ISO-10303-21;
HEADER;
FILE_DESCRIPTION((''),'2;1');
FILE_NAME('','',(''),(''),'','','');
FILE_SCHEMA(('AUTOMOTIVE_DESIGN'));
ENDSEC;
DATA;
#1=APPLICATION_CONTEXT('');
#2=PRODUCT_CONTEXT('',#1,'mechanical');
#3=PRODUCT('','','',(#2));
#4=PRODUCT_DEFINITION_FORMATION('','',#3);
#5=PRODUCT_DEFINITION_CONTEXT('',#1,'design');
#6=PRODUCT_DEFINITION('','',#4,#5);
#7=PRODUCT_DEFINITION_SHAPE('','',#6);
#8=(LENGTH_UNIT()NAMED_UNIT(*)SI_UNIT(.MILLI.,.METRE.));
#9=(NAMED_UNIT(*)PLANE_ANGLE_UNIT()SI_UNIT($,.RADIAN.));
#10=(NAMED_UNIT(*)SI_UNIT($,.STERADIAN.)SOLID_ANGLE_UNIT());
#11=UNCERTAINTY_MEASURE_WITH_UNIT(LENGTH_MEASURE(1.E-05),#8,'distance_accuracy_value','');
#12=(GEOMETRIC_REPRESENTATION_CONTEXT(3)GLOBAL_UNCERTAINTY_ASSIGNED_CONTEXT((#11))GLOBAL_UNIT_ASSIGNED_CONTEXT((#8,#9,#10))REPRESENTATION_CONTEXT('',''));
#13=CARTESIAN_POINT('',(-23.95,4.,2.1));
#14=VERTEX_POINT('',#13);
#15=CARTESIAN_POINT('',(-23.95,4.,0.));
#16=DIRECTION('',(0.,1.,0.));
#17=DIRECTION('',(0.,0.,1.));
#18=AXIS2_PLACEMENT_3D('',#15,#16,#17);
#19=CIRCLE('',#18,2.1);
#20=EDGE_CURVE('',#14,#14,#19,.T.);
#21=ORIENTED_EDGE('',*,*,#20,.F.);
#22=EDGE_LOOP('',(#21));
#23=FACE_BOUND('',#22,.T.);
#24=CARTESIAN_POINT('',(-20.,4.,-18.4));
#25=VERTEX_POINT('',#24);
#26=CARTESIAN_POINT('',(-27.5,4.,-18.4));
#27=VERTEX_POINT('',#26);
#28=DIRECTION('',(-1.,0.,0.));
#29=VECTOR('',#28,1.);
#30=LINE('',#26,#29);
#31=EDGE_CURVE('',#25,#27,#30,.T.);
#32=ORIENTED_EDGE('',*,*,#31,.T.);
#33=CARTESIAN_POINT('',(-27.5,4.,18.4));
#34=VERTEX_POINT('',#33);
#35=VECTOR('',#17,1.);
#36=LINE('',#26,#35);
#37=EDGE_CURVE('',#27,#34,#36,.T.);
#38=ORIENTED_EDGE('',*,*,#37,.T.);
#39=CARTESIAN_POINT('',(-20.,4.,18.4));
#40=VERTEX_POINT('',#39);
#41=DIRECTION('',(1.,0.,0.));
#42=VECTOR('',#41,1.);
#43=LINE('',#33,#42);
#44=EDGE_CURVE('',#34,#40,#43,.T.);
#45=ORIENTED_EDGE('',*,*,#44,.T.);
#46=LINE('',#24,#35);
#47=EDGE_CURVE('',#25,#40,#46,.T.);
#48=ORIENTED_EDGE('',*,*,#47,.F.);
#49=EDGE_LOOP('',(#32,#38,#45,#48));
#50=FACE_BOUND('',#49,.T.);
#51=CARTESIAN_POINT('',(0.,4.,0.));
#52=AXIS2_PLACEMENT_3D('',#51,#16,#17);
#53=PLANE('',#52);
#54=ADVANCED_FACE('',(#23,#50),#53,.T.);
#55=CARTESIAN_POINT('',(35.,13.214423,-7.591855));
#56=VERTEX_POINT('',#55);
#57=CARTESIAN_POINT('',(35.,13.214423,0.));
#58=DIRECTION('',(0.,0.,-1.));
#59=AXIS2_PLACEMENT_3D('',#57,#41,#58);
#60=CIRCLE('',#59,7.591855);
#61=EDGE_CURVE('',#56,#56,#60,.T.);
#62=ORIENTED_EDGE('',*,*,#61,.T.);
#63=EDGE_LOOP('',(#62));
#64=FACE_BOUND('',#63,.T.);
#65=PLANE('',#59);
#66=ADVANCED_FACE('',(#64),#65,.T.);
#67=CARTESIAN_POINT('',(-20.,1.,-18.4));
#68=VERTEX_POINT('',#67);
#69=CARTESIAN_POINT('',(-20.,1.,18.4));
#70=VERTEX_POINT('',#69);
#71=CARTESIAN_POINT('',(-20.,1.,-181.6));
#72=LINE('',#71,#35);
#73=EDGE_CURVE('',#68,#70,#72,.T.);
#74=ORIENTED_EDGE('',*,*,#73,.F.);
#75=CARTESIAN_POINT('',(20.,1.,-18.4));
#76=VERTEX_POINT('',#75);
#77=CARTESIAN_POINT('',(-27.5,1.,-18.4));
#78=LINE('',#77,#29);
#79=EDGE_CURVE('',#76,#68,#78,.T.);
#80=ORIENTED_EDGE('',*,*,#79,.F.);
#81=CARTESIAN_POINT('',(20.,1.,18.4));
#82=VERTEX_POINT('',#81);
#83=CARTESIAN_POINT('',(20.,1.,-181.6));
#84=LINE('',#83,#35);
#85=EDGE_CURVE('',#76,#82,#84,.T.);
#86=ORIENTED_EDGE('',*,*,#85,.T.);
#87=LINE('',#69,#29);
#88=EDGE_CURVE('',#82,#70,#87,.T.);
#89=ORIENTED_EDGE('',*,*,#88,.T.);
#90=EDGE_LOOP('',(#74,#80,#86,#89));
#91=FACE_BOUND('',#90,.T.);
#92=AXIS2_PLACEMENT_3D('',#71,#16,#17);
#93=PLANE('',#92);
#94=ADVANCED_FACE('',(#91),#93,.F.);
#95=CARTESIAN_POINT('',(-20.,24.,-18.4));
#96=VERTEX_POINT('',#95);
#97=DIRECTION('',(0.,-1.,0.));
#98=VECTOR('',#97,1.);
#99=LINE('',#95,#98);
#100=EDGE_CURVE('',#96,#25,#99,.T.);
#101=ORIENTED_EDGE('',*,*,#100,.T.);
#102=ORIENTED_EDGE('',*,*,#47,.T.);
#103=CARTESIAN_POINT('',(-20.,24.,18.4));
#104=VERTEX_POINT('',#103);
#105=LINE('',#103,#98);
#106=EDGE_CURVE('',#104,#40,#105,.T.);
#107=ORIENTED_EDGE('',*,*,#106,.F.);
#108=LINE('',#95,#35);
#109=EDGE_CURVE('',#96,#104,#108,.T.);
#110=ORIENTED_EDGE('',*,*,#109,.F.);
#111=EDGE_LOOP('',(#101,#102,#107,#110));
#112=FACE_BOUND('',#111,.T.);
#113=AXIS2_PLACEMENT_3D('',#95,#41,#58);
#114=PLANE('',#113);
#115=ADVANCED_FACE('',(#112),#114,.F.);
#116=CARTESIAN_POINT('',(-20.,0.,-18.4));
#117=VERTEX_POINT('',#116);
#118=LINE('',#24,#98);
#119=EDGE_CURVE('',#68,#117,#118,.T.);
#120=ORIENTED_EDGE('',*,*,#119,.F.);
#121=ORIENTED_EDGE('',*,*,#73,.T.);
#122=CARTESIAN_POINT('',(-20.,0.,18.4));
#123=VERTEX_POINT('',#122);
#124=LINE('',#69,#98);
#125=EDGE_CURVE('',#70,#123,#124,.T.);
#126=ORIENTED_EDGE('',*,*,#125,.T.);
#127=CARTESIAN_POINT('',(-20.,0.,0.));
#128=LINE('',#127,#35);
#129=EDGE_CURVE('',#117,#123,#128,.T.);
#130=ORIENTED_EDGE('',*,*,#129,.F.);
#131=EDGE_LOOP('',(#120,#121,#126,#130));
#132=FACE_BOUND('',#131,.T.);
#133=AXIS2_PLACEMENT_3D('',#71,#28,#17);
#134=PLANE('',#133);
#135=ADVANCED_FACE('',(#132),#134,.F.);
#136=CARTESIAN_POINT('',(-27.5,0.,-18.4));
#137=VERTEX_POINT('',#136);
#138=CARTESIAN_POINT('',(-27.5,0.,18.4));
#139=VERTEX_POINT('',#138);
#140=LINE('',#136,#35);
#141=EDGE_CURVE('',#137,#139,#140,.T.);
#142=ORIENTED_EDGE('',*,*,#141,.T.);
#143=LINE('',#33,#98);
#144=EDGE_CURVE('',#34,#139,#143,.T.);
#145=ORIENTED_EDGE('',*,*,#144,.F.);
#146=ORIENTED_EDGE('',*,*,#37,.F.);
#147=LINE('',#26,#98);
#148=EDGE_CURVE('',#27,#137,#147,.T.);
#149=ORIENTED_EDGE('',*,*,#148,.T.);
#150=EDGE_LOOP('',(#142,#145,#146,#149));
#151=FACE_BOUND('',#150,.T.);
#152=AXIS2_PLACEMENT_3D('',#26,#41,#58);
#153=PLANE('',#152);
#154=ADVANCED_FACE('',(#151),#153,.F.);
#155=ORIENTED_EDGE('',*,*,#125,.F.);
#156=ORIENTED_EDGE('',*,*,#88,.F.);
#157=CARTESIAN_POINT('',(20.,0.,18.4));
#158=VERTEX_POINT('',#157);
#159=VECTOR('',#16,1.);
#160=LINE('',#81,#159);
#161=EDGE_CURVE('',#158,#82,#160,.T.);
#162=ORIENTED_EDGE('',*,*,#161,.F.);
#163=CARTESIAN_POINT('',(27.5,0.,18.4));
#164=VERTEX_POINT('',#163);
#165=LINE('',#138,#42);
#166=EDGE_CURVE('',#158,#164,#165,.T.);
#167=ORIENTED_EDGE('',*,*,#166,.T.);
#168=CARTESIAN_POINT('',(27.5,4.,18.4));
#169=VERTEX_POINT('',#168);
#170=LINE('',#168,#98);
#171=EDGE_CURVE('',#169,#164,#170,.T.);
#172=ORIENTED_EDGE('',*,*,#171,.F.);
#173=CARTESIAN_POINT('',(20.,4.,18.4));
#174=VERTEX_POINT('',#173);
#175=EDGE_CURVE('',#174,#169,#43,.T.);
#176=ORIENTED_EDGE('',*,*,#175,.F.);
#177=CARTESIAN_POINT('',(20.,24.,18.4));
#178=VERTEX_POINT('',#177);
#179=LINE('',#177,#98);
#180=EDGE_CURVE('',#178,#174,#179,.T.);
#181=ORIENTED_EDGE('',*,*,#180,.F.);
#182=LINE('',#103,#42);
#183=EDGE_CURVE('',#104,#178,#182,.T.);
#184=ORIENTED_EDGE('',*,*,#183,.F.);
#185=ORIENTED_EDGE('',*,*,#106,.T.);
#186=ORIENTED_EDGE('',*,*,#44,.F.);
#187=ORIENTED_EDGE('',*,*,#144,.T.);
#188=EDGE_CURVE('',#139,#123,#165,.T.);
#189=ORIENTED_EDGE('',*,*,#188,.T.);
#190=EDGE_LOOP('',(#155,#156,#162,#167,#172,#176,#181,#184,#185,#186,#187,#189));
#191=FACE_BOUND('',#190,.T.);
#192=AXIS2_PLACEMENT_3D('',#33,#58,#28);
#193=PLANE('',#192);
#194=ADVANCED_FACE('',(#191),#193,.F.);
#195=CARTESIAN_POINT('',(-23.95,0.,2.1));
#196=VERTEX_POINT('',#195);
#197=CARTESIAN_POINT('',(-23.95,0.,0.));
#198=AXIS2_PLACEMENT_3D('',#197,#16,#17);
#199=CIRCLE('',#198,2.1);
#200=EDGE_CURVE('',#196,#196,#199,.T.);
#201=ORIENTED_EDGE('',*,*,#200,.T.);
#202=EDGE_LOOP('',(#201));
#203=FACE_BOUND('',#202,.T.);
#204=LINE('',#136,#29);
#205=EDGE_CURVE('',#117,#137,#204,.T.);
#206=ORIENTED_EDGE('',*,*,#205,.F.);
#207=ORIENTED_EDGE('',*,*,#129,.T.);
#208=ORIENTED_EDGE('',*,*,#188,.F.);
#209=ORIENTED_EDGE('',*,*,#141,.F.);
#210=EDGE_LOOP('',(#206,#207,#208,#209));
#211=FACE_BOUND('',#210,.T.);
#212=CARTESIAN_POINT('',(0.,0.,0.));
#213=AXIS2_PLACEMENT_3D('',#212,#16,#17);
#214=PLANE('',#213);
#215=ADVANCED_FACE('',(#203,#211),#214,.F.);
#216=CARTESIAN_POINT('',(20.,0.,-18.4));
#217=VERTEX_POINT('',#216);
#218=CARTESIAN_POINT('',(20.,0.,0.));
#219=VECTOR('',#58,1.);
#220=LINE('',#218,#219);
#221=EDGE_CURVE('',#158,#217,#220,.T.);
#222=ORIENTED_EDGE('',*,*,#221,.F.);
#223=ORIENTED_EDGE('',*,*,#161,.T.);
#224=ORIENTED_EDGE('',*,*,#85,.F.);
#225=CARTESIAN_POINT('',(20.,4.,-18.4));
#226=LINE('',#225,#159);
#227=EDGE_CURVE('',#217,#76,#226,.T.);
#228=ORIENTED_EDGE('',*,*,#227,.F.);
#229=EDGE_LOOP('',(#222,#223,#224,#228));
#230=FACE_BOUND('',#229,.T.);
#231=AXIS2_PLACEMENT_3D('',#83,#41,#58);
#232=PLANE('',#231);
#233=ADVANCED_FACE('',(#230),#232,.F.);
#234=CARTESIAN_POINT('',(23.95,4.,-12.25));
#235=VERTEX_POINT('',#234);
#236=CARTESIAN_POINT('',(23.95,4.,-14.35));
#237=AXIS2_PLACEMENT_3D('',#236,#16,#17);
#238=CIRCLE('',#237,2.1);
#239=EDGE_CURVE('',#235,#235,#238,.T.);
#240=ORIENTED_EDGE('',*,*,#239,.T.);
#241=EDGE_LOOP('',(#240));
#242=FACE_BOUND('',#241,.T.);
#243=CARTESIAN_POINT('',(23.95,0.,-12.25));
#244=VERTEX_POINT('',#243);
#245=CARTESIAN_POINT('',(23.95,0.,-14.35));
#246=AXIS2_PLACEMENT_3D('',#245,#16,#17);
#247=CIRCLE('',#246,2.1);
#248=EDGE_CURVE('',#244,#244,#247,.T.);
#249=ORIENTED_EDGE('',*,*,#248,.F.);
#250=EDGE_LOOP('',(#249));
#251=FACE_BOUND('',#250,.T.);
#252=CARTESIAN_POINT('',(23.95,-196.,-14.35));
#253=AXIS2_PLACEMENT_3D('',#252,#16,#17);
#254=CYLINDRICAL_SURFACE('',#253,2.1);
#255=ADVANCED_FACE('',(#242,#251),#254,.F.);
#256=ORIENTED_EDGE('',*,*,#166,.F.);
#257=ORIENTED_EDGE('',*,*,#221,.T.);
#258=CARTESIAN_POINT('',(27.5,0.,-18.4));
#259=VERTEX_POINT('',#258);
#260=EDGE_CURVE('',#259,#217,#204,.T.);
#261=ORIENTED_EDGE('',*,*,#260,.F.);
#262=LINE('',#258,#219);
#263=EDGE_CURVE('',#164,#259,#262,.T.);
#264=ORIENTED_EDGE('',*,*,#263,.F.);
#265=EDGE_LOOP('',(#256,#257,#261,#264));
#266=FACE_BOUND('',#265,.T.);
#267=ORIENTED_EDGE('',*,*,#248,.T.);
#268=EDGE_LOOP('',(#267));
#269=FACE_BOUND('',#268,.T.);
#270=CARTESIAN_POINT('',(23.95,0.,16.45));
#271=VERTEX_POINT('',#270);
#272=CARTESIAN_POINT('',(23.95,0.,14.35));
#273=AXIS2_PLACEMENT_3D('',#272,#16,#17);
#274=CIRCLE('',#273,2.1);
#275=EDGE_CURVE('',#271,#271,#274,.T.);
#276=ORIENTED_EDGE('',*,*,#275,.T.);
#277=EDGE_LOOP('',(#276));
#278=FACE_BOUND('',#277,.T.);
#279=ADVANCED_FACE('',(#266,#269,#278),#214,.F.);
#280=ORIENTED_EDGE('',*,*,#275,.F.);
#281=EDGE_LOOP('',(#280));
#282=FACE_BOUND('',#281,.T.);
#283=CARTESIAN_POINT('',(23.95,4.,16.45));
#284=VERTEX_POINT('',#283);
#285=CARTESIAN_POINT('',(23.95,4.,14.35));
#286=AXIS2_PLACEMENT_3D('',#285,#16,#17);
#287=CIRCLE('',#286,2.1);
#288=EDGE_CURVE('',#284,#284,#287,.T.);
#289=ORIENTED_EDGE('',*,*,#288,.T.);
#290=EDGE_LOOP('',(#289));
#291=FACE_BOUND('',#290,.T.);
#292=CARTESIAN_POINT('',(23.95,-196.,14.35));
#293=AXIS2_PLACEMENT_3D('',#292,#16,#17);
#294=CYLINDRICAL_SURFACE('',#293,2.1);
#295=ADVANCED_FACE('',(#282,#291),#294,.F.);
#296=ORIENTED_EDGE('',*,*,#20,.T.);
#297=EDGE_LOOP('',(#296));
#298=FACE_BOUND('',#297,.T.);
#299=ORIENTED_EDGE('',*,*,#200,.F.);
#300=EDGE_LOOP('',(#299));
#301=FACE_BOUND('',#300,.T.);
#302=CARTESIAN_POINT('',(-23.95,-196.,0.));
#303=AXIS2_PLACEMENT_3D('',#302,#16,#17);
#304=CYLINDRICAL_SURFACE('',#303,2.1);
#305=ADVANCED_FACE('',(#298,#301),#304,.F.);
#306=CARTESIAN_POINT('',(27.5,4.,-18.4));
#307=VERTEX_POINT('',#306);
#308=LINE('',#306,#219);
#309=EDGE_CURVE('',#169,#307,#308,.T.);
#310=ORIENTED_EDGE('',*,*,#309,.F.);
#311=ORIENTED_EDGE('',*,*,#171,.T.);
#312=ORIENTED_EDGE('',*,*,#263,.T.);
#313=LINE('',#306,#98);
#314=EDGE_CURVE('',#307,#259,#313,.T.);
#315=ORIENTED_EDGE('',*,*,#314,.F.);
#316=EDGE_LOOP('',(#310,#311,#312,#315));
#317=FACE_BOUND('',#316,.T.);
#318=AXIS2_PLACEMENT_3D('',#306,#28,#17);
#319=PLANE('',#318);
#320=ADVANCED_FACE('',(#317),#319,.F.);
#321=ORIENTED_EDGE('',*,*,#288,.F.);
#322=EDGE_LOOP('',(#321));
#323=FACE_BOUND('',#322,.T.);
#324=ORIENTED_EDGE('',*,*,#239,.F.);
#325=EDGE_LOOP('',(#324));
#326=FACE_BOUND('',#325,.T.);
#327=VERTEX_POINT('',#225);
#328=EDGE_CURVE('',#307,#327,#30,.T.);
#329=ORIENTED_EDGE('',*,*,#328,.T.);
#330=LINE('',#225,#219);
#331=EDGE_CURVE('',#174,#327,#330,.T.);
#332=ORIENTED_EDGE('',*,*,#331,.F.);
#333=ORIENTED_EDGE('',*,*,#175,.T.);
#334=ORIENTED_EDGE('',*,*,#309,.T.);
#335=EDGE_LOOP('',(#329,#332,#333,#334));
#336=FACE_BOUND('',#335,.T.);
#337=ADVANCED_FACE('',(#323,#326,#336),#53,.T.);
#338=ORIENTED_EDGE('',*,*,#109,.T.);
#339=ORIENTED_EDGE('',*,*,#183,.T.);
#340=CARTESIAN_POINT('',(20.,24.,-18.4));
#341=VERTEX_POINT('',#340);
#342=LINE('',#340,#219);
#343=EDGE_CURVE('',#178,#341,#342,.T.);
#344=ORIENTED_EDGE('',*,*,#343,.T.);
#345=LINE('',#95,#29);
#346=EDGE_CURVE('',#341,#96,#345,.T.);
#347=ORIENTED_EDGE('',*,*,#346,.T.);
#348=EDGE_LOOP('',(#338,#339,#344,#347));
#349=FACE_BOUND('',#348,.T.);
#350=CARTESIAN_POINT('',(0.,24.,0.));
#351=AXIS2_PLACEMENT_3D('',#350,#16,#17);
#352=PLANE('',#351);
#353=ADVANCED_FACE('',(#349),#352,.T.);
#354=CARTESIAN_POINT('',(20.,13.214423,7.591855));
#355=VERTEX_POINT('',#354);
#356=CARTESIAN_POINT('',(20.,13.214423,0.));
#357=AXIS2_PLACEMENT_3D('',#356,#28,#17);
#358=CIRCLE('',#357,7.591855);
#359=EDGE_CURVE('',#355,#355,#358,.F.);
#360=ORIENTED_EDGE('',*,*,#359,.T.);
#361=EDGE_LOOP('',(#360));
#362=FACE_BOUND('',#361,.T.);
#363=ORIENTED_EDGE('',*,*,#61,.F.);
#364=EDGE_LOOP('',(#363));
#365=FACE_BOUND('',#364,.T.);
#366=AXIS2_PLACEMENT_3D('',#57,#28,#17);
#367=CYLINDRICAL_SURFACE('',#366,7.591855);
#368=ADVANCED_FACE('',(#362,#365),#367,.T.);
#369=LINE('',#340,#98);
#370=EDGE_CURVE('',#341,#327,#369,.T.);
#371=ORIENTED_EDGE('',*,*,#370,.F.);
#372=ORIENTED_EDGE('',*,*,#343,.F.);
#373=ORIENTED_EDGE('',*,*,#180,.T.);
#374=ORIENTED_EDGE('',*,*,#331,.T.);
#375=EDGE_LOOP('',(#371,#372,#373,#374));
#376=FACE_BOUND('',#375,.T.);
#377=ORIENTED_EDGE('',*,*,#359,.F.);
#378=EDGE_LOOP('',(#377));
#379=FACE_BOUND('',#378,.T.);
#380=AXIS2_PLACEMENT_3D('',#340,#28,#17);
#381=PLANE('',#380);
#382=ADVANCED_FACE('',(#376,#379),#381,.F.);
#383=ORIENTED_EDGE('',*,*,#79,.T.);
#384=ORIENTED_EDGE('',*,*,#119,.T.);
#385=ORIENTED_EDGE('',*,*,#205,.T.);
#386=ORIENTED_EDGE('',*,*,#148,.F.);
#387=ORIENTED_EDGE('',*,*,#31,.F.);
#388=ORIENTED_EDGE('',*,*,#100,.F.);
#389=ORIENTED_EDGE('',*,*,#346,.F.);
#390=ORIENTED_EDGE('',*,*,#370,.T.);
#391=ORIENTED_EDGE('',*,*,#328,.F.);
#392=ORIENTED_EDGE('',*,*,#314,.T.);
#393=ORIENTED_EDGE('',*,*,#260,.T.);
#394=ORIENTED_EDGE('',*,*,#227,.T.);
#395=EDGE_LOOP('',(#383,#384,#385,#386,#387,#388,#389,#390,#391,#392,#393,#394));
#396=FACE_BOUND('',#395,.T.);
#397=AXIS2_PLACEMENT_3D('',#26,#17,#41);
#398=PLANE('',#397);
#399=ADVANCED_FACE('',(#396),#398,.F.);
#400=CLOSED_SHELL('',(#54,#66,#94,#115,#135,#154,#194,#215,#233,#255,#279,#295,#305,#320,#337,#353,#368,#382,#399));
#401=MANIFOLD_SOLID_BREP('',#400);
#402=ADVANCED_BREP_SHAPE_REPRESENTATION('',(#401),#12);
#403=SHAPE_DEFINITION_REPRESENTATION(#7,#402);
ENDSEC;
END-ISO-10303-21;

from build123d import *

# Parameters (mm, degrees)
SKETCH_1_W          = 55
SKETCH_1_H          = 36.8
EXTRUDE_1_DEPTH     = 4
SKETCH_2_W          = 40
SKETCH_2_H          = 36.8
EXTRUDE_2_DEPTH     = 20
SKETCH_3_W          = 40
SKETCH_3_H          = 2
CUT_EXTRUDE_1_DEPTH = 200
SKETCH_4_R          = 2.1
CUT_EXTRUDE_2_DEPTH = 200
SKETCH_5_R          = 7.591855359
EXTRUDE_3_DEPTH     = 15


with BuildPart() as part:
    # 草图1 → 凸台-拉伸1 (new body)
    with BuildSketch(Plane(origin=(0, 0, 0), x_dir=(1, 0, 0), z_dir=(0, 1, 0))):
        Rectangle(SKETCH_1_W, SKETCH_1_H)
    extrude(amount=EXTRUDE_1_DEPTH)

    # 草图2 → 凸台-拉伸2 (add)
    with BuildSketch(Plane(origin=(0, 4, 0), x_dir=(1, 0, 0), z_dir=(0, 1, 0))):
        Rectangle(SKETCH_2_W, SKETCH_2_H)
    extrude(amount=EXTRUDE_2_DEPTH)

    # 草图3 → 切除-拉伸1 (cut)
    with BuildSketch(Plane.XY.offset(18.4)):
        Rectangle(SKETCH_3_W, SKETCH_3_H)
    extrude(amount=-CUT_EXTRUDE_1_DEPTH, mode=Mode.SUBTRACT)

    # 草图4 → 切除-拉伸2 (cut)
    with BuildSketch(Plane(origin=(0, 4, 0), x_dir=(1, 0, 0), z_dir=(0, 1, 0))):
        with Locations(Location((-23.95, 0, 0), (0, 0, 270))):
            Circle(SKETCH_4_R)
        with Locations(Location((23.95, 14.35, 0), (0, 0, 270))):
            Circle(SKETCH_4_R)
        with Locations(Location((23.95, -14.35, 0), (0, 0, 270))):
            Circle(SKETCH_4_R)
    extrude(amount=-CUT_EXTRUDE_2_DEPTH, mode=Mode.SUBTRACT)

    # 草图5 → 凸台-拉伸3 (add)
    with BuildSketch(Plane(origin=(20, 0, 0), x_dir=(0, 0, -1), z_dir=(1, 0, 0))):
        with Locations(Location((0, 13.214422917, 0), (0, 0, 180))):
            Circle(SKETCH_5_R)
    extrude(amount=EXTRUDE_3_DEPTH)


solid = part.part
